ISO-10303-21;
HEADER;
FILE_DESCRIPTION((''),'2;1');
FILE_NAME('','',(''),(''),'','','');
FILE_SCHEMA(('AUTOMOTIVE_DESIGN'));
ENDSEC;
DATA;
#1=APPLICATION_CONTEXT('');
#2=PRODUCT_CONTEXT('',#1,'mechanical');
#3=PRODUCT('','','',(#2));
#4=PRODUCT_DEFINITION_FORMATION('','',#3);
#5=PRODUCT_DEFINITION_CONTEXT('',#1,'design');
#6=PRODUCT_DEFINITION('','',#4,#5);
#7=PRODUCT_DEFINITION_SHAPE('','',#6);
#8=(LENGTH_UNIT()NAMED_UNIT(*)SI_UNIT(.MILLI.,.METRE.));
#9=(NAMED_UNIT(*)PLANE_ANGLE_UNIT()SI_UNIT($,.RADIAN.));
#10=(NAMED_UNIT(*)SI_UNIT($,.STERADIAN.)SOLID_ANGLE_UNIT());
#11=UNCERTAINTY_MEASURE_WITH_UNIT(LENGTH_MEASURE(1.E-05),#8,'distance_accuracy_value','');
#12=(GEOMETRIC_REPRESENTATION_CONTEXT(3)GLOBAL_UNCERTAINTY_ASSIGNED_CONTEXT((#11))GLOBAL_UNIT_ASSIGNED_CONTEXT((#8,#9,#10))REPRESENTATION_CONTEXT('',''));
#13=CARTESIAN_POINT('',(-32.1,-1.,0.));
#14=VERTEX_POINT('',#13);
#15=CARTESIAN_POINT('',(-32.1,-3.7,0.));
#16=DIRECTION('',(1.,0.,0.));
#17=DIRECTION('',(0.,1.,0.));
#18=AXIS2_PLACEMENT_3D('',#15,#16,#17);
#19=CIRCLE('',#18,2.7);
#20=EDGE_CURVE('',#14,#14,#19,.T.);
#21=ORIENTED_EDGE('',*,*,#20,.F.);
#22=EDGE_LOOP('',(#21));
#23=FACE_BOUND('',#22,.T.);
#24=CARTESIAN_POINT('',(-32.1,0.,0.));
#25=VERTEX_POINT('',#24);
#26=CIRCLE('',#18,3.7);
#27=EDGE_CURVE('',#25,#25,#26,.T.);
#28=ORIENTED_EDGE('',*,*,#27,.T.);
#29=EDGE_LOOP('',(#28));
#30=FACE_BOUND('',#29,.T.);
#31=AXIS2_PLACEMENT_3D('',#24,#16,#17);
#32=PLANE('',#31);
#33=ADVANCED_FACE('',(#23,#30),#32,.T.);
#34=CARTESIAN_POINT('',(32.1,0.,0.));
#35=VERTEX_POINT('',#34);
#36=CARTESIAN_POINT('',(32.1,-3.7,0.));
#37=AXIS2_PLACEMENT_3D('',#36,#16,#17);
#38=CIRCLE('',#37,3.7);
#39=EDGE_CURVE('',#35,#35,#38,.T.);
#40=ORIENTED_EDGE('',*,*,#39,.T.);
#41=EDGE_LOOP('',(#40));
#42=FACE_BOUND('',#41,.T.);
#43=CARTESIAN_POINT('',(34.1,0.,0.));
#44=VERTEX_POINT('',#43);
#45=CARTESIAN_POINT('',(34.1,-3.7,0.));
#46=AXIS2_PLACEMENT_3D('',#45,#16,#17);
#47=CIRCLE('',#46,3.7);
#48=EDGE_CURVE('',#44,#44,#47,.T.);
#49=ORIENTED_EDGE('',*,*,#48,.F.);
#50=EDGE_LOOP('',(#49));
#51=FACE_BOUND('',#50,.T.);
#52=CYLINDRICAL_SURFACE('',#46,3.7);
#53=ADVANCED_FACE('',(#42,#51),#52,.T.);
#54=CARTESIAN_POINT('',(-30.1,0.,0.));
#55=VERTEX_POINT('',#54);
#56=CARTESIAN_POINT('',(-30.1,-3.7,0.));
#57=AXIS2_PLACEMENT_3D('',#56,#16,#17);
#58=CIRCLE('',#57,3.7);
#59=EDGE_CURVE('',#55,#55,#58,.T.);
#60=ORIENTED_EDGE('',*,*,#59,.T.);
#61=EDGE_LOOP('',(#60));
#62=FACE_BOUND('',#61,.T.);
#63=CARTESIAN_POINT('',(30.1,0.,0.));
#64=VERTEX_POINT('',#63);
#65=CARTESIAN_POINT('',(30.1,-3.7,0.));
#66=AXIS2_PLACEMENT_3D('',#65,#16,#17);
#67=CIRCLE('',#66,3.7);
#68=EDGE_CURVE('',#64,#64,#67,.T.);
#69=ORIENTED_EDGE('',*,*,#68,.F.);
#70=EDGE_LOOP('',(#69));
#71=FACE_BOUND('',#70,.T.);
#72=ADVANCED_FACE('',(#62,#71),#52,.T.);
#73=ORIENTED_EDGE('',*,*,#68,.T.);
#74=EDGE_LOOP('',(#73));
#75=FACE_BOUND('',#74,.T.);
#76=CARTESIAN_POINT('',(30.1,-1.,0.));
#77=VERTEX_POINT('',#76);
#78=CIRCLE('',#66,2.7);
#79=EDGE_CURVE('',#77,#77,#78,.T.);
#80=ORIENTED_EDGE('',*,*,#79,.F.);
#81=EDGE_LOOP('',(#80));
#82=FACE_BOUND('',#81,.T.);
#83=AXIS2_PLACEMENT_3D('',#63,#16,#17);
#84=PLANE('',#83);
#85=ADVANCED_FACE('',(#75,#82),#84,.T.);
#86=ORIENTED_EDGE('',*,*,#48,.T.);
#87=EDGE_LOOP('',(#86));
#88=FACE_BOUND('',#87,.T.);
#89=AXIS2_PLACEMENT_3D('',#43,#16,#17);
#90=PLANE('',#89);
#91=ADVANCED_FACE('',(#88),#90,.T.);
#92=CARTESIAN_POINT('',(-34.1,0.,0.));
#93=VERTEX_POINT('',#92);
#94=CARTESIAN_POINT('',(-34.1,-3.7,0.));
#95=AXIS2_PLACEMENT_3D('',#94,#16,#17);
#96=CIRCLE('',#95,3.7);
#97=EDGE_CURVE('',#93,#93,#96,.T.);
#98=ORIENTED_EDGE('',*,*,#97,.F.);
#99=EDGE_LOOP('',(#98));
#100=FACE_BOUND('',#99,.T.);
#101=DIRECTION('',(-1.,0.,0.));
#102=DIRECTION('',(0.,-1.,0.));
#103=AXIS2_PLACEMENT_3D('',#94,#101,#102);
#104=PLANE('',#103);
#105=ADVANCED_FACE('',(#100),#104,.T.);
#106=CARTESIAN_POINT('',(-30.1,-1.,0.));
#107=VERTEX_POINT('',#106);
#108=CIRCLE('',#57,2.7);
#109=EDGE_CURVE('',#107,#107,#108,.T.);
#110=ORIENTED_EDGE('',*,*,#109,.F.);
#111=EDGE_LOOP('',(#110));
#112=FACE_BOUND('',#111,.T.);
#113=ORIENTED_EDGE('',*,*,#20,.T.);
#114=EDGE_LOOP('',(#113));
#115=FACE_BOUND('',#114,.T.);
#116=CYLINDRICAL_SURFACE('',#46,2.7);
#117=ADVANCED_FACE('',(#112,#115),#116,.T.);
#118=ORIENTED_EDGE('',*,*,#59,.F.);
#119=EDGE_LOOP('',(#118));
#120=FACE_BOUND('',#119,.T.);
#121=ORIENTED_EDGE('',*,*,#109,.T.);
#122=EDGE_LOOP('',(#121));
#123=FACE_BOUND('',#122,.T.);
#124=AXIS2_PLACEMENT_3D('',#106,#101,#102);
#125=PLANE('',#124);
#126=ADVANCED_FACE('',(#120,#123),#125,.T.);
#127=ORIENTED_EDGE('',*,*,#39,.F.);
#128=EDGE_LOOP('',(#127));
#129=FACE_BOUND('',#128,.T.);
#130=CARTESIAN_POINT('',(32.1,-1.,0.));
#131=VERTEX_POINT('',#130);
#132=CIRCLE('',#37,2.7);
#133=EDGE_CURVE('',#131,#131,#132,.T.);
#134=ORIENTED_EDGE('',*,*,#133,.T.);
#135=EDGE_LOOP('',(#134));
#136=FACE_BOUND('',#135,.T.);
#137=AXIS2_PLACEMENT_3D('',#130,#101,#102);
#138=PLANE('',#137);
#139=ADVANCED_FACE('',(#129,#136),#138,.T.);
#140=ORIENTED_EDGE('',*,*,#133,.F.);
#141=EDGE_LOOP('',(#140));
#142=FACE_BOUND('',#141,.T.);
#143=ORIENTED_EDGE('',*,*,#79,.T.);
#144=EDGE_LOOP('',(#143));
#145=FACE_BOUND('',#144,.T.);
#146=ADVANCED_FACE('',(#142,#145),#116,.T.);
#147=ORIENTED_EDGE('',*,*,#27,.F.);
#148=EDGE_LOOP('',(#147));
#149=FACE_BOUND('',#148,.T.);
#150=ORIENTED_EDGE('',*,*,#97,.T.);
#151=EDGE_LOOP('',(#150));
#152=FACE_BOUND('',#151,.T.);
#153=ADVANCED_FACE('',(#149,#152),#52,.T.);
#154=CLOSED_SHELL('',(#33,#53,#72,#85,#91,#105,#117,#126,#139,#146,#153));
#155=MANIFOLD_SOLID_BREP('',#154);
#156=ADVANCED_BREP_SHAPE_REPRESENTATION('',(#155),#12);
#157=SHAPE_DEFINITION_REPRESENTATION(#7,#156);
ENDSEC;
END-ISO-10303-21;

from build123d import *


with BuildPart() as part:
    # Sketch1 → Revolve1 (revolve)
    with BuildSketch(Plane.XY):
        Polygon((-30.1, 0), (30.1, 0), (30.1, -1), (32.1, -1), (32.1, 0), (34.1, 0), (34.1, -3.7), (-34.1, -3.7), (-34.1, 0), (-32.1, 0), (-32.1, -1), (-30.1, -1), align=None)
    revolve(axis=Axis((34.1, -3.7, 0), (-1, 0, 0)))


solid = part.part
